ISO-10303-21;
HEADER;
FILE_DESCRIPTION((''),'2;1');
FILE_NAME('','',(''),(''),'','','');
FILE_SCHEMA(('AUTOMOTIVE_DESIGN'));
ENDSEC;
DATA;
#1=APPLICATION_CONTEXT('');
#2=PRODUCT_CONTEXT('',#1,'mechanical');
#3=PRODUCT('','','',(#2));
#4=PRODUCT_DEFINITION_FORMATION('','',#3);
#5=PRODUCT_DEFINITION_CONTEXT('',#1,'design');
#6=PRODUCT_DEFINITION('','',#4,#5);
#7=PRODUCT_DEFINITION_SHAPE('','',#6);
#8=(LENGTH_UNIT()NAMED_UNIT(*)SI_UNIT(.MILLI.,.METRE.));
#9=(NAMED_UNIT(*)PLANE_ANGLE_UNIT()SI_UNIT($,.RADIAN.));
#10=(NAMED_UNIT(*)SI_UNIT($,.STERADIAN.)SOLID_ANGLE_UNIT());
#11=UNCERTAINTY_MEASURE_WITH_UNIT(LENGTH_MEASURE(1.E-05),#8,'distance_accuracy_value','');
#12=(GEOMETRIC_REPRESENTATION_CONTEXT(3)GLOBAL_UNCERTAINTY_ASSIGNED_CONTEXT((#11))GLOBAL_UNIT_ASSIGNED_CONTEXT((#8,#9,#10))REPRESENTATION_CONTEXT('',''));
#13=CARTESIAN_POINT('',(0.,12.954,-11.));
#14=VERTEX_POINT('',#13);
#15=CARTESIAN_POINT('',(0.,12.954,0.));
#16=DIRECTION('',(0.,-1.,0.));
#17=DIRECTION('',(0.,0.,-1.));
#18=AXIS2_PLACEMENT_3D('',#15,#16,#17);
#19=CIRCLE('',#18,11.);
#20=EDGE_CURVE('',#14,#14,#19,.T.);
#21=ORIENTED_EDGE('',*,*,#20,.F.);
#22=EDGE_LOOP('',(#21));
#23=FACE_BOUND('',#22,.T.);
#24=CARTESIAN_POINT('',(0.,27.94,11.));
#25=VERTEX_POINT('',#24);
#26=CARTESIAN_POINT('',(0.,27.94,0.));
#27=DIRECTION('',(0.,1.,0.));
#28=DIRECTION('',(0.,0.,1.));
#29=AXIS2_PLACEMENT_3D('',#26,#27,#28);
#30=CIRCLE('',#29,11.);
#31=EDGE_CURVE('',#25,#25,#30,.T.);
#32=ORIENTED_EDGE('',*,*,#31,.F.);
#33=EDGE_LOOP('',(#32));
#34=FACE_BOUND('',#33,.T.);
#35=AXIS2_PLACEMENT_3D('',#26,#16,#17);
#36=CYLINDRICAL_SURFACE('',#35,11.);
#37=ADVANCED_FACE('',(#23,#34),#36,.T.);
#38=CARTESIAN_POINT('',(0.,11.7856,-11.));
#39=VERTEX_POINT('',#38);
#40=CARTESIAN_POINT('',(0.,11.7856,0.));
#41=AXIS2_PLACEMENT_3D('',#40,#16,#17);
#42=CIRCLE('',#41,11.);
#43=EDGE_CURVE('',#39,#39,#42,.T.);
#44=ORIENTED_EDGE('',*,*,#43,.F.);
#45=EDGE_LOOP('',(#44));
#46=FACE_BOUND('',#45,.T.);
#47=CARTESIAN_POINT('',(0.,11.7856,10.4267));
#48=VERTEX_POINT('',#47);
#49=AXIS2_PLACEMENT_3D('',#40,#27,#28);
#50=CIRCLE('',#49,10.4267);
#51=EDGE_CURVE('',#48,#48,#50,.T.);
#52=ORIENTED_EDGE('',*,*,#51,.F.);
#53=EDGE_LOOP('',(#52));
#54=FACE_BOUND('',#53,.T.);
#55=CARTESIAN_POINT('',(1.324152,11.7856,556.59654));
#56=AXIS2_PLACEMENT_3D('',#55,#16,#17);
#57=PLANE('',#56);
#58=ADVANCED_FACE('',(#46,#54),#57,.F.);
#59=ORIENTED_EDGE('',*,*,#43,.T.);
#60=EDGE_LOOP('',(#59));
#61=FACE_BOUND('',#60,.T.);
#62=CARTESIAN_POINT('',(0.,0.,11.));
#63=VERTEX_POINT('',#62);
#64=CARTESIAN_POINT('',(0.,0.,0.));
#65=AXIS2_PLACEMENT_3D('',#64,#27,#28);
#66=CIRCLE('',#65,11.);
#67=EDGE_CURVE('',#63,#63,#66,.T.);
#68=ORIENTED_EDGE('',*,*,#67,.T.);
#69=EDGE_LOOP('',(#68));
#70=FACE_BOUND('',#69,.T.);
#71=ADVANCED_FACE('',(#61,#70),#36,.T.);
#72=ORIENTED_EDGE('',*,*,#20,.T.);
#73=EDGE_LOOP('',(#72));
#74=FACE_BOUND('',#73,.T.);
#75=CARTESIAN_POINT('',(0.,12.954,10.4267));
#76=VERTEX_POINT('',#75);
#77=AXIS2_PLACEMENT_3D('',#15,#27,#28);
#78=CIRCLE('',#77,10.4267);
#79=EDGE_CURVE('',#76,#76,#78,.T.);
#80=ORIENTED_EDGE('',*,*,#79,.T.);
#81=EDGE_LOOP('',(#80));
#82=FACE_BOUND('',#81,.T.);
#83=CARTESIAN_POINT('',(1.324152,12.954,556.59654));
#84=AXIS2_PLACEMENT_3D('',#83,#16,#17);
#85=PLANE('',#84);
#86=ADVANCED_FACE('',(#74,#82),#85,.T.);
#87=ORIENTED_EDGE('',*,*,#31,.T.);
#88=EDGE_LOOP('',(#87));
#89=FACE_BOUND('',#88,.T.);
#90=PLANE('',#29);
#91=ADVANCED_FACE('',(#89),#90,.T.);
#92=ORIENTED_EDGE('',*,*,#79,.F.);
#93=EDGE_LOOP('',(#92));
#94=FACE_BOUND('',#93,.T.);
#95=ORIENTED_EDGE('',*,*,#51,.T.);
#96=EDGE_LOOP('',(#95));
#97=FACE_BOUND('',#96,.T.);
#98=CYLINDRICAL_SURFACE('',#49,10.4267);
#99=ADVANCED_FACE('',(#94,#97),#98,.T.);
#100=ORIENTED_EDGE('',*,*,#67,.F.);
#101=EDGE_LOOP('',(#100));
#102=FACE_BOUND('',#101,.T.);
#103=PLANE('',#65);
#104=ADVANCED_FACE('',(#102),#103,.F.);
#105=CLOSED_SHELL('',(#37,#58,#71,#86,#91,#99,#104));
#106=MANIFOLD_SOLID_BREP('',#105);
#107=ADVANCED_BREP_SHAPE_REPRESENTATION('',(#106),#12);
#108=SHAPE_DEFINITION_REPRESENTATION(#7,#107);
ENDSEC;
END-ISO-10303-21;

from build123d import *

# Parameters (mm, degrees)
SKETCH1_R           = 11
BOSS_EXTRUDE1_DEPTH = 27.94
SKETCH2_R           = 10.4267
CUT_EXTRUDE1_DEPTH  = 1.1684


with BuildPart() as part:
    # Sketch1 → Boss-Extrude1 (new body)
    with BuildSketch(Plane(origin=(0, 0, 0), x_dir=(1, 0, 0), z_dir=(0, 1, 0))):
        Circle(SKETCH1_R)
    extrude(amount=BOSS_EXTRUDE1_DEPTH)

    # Sketch2 → Cut-Extrude1 (cut)
    with BuildSketch(Plane(origin=(0, 12.954, 0), x_dir=(1, 0, 0), z_dir=(0, 1, 0))):
        with BuildLine():
            Line((-17.239436612, 14.563425366), (-16.28375247, -14.840830381))
            Line((-16.28375247, -14.840830381), (21.406068048, -16.295664576))
            Line((21.406068048, -16.295664576), (22.094276354, 14.197317514))
            Line((22.094276354, 14.197317514), (19.887741586, 14.563425366))
            ThreePointArc((19.887741586, 14.563425366), (1.324152487, 14.86501853), (-17.239436612, 14.563425366))
        make_face()
        Circle(SKETCH2_R, mode=Mode.SUBTRACT)
    extrude(amount=-CUT_EXTRUDE1_DEPTH, mode=Mode.SUBTRACT)


solid = part.part
